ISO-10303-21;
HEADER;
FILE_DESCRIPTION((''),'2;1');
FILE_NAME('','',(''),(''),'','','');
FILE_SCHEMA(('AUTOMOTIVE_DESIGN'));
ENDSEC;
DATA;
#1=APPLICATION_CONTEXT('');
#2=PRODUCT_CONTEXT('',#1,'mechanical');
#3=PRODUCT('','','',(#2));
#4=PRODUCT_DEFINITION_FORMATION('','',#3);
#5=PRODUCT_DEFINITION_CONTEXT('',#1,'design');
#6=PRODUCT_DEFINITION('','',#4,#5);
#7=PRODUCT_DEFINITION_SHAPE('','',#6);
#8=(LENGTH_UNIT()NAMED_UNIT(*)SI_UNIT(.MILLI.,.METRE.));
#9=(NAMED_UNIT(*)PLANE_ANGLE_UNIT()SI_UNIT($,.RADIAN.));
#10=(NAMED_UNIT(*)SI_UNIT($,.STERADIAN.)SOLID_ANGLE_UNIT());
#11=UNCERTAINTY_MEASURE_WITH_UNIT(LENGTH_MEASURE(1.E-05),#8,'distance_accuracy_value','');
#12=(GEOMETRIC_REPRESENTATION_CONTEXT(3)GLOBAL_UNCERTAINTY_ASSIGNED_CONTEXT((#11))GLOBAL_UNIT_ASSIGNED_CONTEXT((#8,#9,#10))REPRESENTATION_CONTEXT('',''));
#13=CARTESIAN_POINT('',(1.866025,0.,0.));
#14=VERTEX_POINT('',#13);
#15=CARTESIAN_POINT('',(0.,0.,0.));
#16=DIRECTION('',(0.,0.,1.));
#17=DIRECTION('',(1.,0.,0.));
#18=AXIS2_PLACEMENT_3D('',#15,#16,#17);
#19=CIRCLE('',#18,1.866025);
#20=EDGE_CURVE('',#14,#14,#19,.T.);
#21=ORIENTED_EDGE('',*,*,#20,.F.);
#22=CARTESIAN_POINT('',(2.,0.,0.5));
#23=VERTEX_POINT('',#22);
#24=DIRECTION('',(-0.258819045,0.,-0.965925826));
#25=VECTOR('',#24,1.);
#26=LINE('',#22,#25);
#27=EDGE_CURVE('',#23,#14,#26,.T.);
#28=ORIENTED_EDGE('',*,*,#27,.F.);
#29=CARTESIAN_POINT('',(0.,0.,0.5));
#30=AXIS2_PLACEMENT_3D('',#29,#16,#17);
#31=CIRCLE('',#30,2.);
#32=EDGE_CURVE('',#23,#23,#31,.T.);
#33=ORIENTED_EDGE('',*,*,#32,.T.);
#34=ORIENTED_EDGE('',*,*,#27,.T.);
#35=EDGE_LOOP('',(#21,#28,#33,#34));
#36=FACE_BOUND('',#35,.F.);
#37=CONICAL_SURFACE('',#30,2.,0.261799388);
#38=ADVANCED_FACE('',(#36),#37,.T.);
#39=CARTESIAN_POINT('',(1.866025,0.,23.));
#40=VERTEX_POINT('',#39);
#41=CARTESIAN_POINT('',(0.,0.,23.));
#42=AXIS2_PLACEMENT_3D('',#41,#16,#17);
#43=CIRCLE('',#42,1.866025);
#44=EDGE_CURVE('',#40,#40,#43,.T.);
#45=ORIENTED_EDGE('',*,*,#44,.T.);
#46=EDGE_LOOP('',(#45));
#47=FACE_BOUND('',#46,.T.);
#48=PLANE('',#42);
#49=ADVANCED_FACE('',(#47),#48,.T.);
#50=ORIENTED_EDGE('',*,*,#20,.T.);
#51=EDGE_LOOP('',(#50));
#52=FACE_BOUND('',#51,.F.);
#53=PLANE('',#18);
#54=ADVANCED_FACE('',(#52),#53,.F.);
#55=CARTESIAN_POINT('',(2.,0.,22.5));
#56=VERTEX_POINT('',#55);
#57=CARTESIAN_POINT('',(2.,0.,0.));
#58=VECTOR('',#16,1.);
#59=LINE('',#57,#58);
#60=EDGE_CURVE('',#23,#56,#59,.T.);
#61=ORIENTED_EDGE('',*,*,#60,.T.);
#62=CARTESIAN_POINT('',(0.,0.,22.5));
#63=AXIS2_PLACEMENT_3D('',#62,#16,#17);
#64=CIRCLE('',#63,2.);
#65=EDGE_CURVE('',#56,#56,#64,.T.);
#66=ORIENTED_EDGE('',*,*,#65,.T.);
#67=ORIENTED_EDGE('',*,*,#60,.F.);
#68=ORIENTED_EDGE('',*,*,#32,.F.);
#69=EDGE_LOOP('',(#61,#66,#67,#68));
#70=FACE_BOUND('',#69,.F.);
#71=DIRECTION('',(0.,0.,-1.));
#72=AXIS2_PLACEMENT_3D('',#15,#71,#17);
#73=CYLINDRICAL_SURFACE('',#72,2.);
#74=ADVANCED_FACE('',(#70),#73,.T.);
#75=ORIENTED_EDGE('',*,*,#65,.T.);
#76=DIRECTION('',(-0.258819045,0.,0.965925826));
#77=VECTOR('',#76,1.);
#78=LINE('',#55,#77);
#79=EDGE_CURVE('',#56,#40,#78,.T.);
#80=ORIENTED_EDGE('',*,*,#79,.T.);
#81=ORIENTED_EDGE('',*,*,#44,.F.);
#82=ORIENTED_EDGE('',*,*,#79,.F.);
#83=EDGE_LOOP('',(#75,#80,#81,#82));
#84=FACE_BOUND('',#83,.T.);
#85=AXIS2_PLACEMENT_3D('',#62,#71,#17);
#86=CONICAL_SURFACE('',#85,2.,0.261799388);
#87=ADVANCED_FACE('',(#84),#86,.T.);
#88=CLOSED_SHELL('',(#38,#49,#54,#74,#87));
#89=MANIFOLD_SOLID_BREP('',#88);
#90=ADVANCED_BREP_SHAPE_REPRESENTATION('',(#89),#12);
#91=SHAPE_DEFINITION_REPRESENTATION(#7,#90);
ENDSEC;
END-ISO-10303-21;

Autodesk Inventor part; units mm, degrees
ref_plane "YZ Plane" through (0, 0, 0) normal (1, 0, 0) x (0, 1, 0)
ref_plane "XZ Plane" through (0, 0, 0) normal (0, 1, 0) x (-1, 0, 0)
ref_plane "XY Plane" through (0, 0, 0) normal (0, 0, 1) x (1, 0, 0)
sketch "スケッチ1" plane through (0, 0, 0) normal (0, 0, 1) x (1, 0, 0)
  circle A0 centre (0, 0) radius 2
  dimension "d0" = 4
extrude "押し出し1" add sketch "スケッチ1" along normal blind 23
chamfer "面取り1" distance 0.5 angle 15 2 edges at (-2, 0, 0) (-2, 0, 23) measured on face at (1.9741, -0.3208, 15.3333)
properties part number "平行ピンD4L23" material "ステンレス鋼"
